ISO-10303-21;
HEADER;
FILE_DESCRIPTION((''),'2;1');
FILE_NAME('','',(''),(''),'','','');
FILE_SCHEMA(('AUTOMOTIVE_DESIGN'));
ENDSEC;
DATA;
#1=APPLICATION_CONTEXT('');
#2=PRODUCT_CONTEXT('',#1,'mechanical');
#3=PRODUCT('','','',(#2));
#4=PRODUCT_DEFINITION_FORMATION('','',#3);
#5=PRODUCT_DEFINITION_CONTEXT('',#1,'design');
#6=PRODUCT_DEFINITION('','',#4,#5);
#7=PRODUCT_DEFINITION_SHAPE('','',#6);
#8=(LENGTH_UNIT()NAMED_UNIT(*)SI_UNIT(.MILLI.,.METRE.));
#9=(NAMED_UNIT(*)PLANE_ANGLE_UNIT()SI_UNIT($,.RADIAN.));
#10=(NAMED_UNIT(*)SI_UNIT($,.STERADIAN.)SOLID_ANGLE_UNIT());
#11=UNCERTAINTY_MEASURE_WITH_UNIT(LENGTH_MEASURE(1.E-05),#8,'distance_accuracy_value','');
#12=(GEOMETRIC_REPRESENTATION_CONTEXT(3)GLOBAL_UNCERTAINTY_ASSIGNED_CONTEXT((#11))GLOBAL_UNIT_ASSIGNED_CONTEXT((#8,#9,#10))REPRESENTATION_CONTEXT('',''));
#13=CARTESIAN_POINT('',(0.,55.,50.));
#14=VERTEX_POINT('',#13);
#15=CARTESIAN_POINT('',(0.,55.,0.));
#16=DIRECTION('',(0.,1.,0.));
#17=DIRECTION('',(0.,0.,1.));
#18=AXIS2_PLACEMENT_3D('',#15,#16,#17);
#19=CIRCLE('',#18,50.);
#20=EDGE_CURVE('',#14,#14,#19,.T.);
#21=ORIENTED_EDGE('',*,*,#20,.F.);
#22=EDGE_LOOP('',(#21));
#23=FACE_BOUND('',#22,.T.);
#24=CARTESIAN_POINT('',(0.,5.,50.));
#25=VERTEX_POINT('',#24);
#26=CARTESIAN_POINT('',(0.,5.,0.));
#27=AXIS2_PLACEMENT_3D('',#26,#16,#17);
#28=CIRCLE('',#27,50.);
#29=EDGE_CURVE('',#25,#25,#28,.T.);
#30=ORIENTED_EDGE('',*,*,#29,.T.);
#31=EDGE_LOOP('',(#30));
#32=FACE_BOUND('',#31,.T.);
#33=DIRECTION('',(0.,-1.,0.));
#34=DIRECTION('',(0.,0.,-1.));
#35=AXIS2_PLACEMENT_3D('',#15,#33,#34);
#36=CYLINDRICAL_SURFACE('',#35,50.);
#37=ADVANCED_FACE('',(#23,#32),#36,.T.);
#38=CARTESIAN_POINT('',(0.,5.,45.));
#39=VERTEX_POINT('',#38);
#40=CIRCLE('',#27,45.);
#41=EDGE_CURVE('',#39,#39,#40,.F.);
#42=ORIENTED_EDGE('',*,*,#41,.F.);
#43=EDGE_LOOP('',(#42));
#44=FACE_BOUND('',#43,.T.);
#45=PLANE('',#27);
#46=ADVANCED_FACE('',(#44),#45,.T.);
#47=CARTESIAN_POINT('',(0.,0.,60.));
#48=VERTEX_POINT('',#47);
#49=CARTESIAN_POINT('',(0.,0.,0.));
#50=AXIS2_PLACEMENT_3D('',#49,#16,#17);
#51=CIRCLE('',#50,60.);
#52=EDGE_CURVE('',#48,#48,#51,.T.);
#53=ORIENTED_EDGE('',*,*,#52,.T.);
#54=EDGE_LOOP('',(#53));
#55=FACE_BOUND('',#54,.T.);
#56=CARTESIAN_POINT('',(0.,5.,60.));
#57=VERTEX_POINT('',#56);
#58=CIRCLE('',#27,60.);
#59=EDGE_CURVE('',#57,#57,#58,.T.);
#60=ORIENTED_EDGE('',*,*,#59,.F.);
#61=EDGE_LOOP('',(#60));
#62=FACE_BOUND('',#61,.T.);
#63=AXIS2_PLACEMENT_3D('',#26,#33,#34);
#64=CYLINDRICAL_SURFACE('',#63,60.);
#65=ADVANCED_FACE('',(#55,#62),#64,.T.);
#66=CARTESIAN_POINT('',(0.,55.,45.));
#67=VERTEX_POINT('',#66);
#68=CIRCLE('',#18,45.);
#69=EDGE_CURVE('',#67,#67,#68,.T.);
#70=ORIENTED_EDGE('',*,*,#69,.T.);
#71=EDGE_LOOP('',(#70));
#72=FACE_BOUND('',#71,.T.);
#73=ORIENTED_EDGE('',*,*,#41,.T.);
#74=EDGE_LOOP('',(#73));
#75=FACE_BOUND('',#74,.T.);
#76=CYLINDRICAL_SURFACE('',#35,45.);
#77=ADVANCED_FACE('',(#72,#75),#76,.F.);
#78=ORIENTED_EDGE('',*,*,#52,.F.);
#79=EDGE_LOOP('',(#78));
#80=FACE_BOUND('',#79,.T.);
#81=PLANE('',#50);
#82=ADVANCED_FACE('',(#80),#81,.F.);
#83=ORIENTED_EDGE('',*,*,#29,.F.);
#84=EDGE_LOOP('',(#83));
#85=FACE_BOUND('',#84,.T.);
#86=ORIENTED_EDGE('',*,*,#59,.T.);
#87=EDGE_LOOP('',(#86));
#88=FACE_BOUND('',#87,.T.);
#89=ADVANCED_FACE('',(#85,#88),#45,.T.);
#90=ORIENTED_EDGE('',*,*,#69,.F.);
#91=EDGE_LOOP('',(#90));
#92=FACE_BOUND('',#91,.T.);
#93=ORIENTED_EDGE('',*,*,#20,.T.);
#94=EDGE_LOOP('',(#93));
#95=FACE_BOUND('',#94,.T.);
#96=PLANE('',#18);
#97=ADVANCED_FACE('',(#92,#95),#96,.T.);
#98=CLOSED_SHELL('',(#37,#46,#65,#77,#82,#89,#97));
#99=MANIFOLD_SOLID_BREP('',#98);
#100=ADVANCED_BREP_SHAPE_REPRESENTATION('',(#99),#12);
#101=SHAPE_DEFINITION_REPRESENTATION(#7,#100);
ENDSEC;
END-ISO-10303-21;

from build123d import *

# Parameters (mm, degrees)
SKETCH1_R           = 60
BOSS_EXTRUDE1_DEPTH = 5
SKETCH2_R           = 50
SKETCH2_R_2         = 45
BOSS_EXTRUDE2_DEPTH = 50


with BuildPart() as part:
    # Sketch1 → Boss-Extrude1 (new body)
    with BuildSketch(Plane(origin=(0, 0, 0), x_dir=(1, 0, 0), z_dir=(0, 1, 0))):
        Circle(SKETCH1_R)
    extrude(amount=BOSS_EXTRUDE1_DEPTH)

    # Sketch2 → Boss-Extrude2 (add)
    with BuildSketch(Plane(origin=(0, 5, 0), x_dir=(1, 0, 0), z_dir=(0, 1, 0))):
        Circle(SKETCH2_R)
        Circle(SKETCH2_R_2, mode=Mode.SUBTRACT)
    extrude(amount=BOSS_EXTRUDE2_DEPTH)


solid = part.part
